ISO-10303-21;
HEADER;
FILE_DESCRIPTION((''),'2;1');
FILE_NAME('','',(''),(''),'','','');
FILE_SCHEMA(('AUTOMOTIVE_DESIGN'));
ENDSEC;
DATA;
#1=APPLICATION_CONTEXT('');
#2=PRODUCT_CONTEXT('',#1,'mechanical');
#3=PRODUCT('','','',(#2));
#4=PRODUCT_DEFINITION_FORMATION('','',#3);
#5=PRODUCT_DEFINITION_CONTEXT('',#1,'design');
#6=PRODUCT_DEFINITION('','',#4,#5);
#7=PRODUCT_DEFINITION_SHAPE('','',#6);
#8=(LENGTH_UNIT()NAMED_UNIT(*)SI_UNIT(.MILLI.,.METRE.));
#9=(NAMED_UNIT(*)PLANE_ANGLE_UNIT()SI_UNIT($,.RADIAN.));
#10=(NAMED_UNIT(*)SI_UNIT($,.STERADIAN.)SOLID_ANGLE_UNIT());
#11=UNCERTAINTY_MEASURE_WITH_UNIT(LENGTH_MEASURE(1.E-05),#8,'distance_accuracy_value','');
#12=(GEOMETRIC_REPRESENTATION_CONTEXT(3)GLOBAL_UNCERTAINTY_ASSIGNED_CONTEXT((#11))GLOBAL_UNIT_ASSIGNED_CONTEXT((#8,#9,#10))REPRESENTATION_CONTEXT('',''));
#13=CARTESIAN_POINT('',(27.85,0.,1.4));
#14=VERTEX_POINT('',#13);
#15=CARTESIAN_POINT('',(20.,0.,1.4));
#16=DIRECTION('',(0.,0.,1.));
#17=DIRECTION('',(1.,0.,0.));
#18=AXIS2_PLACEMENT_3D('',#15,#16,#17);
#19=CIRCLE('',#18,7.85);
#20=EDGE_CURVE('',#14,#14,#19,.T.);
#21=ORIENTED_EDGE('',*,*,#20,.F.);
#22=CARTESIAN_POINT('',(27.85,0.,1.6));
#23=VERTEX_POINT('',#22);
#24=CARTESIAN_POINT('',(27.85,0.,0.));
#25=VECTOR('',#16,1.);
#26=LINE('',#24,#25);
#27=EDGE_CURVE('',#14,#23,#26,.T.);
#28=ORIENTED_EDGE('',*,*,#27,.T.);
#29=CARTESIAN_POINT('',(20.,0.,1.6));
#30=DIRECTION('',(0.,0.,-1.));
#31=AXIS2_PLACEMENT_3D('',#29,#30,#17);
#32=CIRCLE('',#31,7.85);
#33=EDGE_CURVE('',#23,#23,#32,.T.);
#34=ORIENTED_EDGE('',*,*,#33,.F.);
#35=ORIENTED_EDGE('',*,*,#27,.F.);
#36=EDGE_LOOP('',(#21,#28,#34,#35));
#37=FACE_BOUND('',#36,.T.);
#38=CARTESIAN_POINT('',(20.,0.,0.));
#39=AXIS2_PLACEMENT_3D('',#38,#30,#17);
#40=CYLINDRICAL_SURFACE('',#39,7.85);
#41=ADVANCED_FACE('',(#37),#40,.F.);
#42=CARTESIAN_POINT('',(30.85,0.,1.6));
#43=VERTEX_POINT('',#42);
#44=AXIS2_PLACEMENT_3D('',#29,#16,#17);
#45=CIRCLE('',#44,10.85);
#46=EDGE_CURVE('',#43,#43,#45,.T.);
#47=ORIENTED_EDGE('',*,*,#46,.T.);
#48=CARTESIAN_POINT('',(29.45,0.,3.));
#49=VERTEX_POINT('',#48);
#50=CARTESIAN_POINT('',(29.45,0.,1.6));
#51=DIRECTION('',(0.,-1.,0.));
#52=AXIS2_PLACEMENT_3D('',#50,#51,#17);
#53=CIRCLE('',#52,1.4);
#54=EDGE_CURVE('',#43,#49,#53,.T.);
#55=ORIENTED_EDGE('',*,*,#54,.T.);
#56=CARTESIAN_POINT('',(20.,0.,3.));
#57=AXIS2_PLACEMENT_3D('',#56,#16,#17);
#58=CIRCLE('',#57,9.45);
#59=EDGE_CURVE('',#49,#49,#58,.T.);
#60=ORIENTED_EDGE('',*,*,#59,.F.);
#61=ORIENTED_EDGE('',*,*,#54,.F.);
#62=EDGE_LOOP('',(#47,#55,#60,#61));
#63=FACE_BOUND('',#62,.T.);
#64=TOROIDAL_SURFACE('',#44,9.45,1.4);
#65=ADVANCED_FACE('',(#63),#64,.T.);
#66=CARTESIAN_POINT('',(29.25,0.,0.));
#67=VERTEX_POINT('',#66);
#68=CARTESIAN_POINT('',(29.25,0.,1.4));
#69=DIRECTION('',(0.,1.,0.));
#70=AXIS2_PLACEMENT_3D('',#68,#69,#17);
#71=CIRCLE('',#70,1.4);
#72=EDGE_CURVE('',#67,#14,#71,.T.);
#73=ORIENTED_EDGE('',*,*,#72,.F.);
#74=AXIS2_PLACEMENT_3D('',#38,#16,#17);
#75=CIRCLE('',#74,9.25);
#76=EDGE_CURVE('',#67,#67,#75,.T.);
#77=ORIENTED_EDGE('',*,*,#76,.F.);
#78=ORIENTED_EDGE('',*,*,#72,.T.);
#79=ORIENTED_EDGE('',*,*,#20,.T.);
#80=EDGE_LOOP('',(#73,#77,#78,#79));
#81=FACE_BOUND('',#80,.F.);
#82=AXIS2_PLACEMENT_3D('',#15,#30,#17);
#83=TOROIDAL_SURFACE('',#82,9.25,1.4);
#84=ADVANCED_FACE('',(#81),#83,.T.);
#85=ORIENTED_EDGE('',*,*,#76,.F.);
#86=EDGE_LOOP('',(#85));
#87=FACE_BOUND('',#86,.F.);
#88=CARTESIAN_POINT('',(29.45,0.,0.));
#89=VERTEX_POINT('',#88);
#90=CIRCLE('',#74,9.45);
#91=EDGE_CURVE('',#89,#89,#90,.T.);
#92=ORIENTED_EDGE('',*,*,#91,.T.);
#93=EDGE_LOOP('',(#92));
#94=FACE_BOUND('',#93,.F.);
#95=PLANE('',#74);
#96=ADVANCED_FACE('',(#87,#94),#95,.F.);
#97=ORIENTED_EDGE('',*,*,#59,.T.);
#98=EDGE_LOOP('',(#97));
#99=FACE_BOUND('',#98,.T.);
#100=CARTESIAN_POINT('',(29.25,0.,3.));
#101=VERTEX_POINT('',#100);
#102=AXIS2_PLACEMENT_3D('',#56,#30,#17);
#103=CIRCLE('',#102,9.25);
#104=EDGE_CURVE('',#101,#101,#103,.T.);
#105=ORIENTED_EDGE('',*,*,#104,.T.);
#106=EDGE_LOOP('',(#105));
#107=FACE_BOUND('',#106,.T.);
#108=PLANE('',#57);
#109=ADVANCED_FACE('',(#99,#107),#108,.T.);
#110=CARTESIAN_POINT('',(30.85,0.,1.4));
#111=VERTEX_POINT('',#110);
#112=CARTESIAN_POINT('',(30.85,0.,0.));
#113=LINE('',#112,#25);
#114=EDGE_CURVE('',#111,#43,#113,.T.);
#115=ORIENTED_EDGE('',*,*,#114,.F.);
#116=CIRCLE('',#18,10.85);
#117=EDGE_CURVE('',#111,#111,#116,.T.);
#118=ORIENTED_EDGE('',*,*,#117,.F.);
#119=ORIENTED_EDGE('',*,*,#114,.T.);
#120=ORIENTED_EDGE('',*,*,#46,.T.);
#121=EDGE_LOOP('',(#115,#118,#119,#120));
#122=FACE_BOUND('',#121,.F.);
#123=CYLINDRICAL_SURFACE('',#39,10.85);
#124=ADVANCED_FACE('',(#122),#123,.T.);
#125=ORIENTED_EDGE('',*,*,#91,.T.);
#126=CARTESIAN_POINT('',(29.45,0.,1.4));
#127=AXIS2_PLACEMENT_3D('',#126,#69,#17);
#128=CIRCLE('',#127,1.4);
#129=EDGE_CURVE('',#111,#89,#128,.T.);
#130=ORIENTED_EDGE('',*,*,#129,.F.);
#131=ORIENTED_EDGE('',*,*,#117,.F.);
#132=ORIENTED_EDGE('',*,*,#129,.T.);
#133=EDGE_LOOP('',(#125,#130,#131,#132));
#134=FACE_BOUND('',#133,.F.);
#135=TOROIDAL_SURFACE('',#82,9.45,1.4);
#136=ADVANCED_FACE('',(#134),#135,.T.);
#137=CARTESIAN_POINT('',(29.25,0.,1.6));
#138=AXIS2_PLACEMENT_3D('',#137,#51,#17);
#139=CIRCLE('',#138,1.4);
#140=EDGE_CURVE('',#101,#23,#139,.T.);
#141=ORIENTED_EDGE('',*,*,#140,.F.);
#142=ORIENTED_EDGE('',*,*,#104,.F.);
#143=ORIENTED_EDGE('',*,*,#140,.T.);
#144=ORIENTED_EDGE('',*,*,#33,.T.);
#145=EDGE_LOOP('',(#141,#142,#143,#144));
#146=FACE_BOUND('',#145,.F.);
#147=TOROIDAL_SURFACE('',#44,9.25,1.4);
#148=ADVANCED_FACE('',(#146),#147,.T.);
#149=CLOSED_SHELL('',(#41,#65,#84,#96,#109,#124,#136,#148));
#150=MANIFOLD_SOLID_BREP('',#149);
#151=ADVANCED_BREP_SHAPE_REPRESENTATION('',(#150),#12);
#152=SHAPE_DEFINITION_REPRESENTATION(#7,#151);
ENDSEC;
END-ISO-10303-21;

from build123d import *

# Parameters (mm, degrees)
CYLINDER_R        = 7.85
CYLINDER_DEPTH    = 10
CYLINDER001_R     = 10.85
CYLINDER001_DEPTH = 3
FILLET_R          = 1.4


with BuildPart() as cylinder:
    # Cylinder → Cylinder (new body)
    with BuildSketch(Plane(origin=(7, 0, 0), x_dir=(1, 0, 0), z_dir=(0, 0, 1))):
        Circle(CYLINDER_R)
    extrude(amount=CYLINDER_DEPTH)


with BuildPart() as fillet_body:
    # Cylinder001 → Cylinder001 (new body)
    with BuildSketch(Plane(origin=(7, 0, 0), x_dir=(1, 0, 0), z_dir=(0, 0, 1))):
        Circle(CYLINDER001_R)
    extrude(amount=CYLINDER001_DEPTH)

    # Cut: cut Cylinder
    add(cylinder.part, mode=Mode.SUBTRACT)

    # Fillet
    fillet_edges = [fillet_body.edges().sort_by_distance(p)[0] for p in [
        (-3.85, 0, 3),
        (-3.85, 0, 0),
        (-0.85, 0, 3),
        (-0.85, 0, 0),
    ]]
    fillet(fillet_edges, radius=FILLET_R)


with BuildPart() as fillet_body_1:
    # Fillet placement: moved
    add(fillet_body.part.moved(Location((13, 0, 0))))


solid = fillet_body_1.part
